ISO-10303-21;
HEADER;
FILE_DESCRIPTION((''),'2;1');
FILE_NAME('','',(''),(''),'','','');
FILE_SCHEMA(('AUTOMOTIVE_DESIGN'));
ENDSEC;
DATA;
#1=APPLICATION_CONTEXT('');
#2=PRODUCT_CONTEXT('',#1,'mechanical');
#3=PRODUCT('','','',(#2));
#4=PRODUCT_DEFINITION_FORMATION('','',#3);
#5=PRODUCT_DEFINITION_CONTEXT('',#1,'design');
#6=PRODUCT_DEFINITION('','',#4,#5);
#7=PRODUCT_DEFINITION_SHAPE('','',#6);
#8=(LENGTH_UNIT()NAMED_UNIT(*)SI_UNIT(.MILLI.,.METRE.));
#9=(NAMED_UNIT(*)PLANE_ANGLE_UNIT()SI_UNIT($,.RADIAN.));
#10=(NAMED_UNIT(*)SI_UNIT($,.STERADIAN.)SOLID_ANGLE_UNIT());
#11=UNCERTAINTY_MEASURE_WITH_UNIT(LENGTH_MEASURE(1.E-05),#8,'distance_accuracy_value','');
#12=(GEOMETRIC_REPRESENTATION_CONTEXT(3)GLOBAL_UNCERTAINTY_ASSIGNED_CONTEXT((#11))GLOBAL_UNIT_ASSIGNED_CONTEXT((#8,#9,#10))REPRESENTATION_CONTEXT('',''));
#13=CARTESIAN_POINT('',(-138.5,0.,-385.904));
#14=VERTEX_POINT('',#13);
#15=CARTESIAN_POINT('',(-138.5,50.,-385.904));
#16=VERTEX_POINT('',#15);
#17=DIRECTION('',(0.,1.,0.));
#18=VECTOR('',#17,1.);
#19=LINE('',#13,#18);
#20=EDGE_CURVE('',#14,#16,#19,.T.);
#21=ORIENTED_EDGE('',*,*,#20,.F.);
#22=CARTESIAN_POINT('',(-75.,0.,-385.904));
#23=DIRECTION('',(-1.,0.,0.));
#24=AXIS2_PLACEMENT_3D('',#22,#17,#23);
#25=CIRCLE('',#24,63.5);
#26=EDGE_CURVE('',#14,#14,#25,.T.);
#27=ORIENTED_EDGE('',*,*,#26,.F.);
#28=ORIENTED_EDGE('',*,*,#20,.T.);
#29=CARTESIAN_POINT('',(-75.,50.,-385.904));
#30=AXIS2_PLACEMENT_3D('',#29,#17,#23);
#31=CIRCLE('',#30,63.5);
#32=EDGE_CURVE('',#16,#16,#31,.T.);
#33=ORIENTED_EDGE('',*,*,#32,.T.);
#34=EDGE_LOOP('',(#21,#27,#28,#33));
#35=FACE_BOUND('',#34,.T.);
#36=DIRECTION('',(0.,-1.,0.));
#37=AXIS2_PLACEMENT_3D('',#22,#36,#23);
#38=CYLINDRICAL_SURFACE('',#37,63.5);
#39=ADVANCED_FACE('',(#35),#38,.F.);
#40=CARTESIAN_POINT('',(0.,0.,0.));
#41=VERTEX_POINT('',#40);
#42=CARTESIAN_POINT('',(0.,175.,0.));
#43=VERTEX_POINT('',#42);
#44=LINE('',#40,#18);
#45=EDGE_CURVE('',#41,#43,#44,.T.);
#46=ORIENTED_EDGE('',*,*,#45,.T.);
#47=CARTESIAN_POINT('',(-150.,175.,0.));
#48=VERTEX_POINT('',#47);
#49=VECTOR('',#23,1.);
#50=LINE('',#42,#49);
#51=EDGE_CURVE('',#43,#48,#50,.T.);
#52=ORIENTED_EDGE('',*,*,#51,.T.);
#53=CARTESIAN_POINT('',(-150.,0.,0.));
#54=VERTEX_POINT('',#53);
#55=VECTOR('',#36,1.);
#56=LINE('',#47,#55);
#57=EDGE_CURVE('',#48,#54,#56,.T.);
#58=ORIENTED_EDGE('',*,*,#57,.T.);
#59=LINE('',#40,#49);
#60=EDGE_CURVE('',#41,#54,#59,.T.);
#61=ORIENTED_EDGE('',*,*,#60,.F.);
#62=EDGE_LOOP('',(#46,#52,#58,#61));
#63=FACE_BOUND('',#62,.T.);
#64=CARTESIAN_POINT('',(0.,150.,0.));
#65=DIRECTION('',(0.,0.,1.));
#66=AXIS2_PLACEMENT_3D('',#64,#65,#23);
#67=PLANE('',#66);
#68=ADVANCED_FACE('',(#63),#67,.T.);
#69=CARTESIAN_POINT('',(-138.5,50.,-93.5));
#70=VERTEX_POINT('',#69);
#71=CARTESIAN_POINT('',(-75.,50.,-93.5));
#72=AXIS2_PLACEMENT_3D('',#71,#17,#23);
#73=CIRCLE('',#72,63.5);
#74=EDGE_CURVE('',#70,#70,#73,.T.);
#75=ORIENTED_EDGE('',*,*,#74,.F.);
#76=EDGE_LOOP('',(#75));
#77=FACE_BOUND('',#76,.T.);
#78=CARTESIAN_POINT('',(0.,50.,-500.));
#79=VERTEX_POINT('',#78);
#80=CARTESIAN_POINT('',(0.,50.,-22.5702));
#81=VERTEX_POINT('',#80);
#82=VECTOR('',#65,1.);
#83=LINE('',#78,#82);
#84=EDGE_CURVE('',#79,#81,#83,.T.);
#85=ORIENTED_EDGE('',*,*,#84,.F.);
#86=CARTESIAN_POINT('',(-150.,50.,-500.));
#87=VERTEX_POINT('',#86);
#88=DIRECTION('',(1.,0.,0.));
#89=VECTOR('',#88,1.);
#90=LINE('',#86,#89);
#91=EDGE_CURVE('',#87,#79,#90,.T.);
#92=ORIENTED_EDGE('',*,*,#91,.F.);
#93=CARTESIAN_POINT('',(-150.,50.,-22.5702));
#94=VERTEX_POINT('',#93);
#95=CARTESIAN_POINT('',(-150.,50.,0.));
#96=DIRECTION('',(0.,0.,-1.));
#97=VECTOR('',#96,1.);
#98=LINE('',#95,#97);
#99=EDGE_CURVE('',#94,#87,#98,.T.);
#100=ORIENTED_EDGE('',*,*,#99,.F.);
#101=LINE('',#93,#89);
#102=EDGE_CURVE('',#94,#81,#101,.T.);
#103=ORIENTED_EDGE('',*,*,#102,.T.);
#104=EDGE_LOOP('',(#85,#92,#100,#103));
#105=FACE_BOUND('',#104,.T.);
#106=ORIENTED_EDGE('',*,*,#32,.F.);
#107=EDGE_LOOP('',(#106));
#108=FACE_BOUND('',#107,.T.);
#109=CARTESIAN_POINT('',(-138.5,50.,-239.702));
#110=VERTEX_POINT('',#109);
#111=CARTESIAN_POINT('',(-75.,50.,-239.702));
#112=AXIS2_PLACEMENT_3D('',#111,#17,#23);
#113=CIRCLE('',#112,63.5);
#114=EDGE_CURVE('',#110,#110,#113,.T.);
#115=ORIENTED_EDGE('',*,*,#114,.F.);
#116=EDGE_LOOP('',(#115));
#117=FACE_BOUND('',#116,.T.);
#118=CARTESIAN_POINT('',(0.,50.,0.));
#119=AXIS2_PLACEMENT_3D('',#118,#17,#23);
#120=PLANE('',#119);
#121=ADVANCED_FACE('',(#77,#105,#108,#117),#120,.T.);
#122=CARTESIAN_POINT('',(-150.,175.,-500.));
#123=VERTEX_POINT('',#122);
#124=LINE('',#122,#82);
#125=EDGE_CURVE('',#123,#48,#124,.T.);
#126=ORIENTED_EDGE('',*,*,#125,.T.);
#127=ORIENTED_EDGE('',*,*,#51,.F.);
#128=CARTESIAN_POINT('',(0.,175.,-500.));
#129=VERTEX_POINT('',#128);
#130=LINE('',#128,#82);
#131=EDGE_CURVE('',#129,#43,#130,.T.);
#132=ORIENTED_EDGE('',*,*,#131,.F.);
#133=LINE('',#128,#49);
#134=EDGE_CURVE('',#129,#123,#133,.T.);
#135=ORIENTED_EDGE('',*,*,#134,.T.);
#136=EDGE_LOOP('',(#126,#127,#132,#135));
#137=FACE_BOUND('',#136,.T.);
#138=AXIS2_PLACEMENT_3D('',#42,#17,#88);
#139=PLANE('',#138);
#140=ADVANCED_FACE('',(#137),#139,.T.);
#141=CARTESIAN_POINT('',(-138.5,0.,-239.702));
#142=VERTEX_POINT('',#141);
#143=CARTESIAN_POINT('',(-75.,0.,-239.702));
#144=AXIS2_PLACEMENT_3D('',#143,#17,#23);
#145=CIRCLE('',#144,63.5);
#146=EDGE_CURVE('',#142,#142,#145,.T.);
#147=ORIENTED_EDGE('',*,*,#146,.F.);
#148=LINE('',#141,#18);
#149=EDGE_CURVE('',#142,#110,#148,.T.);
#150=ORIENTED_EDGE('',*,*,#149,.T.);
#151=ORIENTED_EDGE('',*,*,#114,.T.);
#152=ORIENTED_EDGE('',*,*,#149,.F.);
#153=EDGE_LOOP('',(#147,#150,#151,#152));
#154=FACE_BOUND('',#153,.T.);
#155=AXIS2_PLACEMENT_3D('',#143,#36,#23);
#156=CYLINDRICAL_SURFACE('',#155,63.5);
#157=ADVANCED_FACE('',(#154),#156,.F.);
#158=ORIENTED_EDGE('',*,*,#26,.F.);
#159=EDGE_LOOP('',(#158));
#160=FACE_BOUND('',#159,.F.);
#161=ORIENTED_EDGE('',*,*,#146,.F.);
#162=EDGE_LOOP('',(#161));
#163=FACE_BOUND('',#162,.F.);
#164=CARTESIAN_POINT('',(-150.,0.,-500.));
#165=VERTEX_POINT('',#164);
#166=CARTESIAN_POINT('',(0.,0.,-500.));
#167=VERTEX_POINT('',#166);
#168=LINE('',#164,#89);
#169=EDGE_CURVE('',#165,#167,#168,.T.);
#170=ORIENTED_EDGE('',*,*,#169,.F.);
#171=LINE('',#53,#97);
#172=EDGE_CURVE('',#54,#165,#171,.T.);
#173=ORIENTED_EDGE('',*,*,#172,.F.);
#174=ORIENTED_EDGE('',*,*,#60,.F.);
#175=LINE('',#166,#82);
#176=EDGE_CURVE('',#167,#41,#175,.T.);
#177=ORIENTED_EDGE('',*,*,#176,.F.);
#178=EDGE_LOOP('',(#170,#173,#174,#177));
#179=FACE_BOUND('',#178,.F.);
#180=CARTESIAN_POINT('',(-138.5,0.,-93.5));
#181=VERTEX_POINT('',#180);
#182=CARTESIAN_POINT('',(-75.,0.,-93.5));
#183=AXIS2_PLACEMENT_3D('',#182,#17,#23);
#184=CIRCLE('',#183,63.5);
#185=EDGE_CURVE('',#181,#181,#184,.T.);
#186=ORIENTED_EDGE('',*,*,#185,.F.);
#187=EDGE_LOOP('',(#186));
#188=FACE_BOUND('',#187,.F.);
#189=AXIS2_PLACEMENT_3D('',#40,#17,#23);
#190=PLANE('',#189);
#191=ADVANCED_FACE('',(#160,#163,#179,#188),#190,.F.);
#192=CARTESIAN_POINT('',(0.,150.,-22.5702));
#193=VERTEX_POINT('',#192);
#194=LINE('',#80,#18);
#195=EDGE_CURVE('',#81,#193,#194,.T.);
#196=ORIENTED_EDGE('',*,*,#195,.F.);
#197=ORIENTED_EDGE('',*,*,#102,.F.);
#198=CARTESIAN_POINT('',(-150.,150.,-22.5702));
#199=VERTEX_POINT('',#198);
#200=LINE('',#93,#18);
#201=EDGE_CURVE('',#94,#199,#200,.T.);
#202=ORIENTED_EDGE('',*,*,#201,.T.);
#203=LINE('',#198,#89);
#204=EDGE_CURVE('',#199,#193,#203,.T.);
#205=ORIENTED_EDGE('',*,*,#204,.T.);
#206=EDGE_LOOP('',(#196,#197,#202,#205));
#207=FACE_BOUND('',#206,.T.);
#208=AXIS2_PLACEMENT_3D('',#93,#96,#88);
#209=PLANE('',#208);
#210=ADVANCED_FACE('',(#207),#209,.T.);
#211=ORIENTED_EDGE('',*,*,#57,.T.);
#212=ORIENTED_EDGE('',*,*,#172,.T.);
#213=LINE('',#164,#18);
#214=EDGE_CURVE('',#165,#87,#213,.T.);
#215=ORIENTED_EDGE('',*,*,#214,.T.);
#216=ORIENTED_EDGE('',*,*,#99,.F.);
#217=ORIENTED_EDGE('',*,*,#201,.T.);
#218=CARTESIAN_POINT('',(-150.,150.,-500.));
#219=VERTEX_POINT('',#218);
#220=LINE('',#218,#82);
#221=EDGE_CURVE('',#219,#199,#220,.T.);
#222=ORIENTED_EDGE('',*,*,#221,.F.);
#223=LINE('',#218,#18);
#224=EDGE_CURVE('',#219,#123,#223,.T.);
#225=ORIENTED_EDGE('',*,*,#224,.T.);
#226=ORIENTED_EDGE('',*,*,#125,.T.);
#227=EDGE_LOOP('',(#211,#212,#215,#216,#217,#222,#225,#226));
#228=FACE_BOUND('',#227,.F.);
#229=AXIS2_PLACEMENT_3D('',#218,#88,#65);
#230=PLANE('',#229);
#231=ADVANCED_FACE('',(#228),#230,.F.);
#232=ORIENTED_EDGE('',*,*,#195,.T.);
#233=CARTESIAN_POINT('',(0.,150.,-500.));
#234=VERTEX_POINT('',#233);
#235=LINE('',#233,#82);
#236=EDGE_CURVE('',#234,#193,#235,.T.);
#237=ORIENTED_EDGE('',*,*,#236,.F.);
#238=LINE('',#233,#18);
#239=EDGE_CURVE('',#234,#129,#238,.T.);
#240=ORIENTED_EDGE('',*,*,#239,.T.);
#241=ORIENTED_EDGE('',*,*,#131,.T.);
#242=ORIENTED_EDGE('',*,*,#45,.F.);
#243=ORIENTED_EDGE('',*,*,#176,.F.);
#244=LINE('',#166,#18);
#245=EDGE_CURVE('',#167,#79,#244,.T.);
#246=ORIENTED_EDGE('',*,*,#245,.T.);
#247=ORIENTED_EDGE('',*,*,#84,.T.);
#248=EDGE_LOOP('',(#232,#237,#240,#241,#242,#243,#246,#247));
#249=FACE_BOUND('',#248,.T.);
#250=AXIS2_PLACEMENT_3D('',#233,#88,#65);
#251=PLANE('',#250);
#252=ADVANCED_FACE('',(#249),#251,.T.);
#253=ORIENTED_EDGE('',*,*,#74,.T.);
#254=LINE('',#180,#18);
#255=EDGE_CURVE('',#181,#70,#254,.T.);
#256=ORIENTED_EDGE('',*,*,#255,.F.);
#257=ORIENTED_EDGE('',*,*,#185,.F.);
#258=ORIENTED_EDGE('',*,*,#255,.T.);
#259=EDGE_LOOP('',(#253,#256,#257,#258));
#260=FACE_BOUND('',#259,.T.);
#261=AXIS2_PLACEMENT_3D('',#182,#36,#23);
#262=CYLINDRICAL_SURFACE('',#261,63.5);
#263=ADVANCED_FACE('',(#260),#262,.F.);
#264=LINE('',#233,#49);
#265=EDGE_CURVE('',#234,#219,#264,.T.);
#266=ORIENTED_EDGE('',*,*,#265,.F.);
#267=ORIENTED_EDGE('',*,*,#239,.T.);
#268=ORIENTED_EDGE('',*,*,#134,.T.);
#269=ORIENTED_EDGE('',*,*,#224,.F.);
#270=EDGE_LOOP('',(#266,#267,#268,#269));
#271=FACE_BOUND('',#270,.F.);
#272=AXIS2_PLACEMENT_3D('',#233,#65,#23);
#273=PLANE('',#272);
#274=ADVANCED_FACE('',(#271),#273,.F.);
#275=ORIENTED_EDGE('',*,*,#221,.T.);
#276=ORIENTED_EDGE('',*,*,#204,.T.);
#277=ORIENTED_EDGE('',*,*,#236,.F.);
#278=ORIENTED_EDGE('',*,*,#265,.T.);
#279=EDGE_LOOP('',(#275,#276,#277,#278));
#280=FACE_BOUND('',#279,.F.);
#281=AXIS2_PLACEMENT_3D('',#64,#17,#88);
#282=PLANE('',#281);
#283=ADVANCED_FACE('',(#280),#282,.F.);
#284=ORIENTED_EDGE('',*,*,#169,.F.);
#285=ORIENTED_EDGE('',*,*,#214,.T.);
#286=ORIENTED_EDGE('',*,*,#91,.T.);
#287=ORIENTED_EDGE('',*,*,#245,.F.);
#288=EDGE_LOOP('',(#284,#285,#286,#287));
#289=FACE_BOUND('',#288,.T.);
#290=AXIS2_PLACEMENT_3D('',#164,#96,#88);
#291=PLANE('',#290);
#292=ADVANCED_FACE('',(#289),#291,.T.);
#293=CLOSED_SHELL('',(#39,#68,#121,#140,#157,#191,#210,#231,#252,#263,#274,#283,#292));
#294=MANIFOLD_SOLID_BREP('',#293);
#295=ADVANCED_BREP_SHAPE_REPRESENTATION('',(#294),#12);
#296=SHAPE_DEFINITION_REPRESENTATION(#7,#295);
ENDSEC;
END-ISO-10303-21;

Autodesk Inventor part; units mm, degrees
ref_plane "YZ Plane" through (0, 0, 0) normal (1, 0, 0) x (0, 1, 0)
ref_plane "XZ Plane" through (0, 0, 0) normal (0, 1, 0) x (-1, 0, 0)
ref_plane "XY Plane" through (0, 0, 0) normal (0, 0, 1) x (1, 0, 0)
sketch "Sketch2" plane through (0, 0, 0) normal (0, 1, 0) x (-1, 0, 0)
  line L0 (0, 0) -> (150, 0)
  line L1 (150, 0) -> (150, -500)
  line L2 (150, -500) -> (0, -500)
  line L3 (0, -500) -> (0, 0)
  line L4 (75, 0) -> (75, -93.5) construction
  circle A0 centre (75, -93.5) radius 63.5
  circle A1 centre (75, -239.702) radius 63.5
  circle A2 centre (75, -385.904) radius 63.5
  dimension "d9" = 150
  dimension "d10" = 500
  dimension "d11" = 93.5
  dimension "d12" = 127
  dimension "d13" = 127
  dimension "d14" = 127
  dimension "d15" = 146.202
  dimension "d16" = 146.202
extrude "Extrusion1" add sketch "Sketch2" along normal blind 50
sketch "Sketch3" plane through (0, 50, 0) normal (0, 1, 0) x (1, 0, 0)
  line L0 (-150, 500) -> (-150, 0) projected
  line L1 (-150, 0) -> (0, 0) projected
  line L2 (-150, 0) -> (0, 0)
  line L3 (0, 0) -> (0, 22.5702)
  line L4 (0, 0) -> (0, 500) projected
  line L5 (-150, 22.5702) -> (-150, 0)
  line L6 (-150, 22.5702) -> (0, 22.5702)
extrude "Extrusion2" add sketch "Sketch3" along normal blind 100
sketch "Sketch4" plane through (0, 150, 0) normal (0, 1, 0) x (1, 0, 0)
  line L0 (0, 0) -> (-150, 0) projected
  line L1 (0, 500) -> (0, 0) projected
  line L2 (-150, 0) -> (0, 0)
  line L3 (0, 0) -> (0, 500)
  line L4 (0, 500) -> (-150, 500)
  line L5 (-150, 500) -> (-150, 0)
extrude "Extrusion3" add sketch "Sketch4" along normal blind 25
properties part number "piston align"
